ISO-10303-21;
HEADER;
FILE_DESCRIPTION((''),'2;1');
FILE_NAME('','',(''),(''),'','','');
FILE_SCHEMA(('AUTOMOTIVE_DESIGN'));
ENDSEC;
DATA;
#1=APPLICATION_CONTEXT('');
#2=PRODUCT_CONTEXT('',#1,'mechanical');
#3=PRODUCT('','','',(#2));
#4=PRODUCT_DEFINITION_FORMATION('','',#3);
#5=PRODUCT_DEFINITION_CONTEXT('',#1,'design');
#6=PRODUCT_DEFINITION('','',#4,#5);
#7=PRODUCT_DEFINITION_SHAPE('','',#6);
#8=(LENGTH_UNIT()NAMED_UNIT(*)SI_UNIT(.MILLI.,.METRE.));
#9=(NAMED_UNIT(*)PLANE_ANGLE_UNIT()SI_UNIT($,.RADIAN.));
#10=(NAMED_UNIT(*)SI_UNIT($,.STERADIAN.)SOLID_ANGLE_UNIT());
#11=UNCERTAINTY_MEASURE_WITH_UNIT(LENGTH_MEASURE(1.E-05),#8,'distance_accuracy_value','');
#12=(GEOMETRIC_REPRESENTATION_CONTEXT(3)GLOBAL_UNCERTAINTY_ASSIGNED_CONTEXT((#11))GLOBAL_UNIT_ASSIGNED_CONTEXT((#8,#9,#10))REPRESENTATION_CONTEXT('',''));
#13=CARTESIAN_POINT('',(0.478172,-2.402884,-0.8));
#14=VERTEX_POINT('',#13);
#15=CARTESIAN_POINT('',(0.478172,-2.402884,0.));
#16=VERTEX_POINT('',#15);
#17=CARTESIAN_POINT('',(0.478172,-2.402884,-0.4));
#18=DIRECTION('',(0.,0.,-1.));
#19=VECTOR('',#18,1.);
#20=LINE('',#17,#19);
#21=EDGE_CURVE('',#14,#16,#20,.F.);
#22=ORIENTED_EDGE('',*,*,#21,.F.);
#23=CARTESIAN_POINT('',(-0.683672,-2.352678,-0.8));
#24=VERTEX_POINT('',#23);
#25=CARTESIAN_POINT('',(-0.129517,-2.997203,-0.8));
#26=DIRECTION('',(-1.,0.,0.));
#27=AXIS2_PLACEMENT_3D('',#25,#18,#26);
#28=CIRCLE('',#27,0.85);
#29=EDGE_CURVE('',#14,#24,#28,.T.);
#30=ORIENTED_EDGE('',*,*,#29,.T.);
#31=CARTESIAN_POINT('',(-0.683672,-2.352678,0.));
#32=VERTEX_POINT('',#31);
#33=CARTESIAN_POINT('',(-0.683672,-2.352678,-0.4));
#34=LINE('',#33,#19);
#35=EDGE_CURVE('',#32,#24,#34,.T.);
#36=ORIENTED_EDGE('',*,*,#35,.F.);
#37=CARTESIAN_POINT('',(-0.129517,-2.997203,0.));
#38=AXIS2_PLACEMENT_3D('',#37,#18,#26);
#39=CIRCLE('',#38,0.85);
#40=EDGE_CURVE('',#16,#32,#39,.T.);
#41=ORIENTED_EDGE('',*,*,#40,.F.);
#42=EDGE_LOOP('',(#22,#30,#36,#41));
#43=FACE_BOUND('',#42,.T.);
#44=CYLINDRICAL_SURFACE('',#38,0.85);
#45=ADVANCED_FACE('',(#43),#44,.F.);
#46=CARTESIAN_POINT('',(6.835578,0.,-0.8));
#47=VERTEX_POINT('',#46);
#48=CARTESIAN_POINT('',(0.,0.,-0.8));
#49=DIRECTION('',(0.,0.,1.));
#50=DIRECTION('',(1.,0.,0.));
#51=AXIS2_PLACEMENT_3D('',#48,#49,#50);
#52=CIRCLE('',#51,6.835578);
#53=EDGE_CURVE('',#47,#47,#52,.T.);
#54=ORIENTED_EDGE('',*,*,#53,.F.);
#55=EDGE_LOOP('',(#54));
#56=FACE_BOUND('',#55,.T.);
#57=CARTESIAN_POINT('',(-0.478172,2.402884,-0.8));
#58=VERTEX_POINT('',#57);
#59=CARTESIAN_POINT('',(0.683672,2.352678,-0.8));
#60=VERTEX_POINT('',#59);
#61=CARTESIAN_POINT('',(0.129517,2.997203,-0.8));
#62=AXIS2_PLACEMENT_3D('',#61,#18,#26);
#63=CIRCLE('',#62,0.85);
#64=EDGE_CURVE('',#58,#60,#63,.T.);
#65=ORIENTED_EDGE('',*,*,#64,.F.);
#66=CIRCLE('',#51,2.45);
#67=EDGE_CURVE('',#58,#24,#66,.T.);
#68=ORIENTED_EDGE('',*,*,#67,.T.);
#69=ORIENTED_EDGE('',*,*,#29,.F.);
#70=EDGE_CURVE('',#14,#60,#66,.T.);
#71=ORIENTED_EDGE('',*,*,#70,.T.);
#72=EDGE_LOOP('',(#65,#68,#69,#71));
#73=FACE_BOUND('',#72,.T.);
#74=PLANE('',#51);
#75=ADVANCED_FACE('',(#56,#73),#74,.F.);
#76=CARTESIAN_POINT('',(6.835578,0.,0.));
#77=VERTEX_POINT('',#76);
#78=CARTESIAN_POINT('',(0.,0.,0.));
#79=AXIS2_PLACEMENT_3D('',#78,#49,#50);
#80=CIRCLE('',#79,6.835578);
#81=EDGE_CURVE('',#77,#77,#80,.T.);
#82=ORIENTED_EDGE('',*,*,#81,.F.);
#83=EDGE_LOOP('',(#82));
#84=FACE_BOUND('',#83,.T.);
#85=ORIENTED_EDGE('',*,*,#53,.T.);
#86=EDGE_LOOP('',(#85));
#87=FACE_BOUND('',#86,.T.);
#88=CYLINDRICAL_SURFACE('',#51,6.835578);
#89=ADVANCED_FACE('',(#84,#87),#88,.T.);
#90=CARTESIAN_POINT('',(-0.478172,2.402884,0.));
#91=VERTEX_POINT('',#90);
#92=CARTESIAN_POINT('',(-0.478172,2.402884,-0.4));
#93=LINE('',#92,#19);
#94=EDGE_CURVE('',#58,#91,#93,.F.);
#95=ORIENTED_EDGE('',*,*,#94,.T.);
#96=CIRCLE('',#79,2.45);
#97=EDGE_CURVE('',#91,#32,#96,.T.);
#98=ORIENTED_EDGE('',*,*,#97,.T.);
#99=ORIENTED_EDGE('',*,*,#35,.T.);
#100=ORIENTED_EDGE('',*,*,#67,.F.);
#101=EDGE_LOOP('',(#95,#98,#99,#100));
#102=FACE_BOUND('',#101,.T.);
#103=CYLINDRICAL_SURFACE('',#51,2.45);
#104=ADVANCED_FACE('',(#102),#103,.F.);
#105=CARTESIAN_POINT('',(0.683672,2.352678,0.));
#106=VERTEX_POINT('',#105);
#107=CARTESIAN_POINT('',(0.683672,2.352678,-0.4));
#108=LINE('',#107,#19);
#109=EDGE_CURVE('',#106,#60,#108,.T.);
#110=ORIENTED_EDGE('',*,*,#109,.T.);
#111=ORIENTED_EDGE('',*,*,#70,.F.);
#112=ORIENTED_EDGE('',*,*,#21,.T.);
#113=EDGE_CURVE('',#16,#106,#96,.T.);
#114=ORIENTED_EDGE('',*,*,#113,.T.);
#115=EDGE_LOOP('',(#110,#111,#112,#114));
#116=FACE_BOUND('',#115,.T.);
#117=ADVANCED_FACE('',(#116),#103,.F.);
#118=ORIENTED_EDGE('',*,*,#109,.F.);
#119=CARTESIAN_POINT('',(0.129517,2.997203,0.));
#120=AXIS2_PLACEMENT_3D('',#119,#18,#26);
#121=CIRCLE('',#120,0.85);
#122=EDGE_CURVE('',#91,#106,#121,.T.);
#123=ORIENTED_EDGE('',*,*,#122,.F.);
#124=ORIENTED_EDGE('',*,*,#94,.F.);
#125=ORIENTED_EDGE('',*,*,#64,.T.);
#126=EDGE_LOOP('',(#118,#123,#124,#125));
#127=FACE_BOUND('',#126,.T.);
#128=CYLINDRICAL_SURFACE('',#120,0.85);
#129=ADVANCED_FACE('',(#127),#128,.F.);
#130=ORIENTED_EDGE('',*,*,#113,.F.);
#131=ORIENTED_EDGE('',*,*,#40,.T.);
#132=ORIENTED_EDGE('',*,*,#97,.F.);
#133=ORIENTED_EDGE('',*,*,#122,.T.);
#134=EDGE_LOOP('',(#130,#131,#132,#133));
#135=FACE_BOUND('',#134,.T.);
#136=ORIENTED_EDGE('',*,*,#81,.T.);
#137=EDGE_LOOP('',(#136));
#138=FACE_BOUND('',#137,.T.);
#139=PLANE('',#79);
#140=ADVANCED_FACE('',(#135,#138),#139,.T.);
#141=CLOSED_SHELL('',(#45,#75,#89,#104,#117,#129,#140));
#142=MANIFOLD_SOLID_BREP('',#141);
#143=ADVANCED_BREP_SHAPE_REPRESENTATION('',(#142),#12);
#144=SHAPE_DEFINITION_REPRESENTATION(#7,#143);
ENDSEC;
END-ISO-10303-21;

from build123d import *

# Parameters (mm, degrees)
ESQUISSE1_R             = 6.835577951
ESQUISSE1_R_2           = 2.45
BOSS_EXTRU_1_DEPTH      = 0.8
ESQUISSE3_R             = 0.85
ENL_V_MAT_EXTRU_1_DEPTH = 10.700012982


with BuildPart() as part:
    # Esquisse1 → Boss.-Extru.1 (new body)
    with BuildSketch(Plane.XY):
        Circle(ESQUISSE1_R)
        Circle(ESQUISSE1_R_2, mode=Mode.SUBTRACT)
    extrude(amount=-BOSS_EXTRU_1_DEPTH)

    # Esquisse3 → Enlèv. mat.-Extru.1 (cut, through all)
    with BuildSketch(Plane(origin=(0, 0, -0.8), x_dir=(-1, 0, 0), z_dir=(0, 0, -1))):
        with Locations((-0.129516777, 2.99720293)):
            Circle(ESQUISSE3_R)
        with Locations((0.129516777, -2.99720293)):
            Circle(ESQUISSE3_R)
    extrude(amount=-ENL_V_MAT_EXTRU_1_DEPTH, mode=Mode.SUBTRACT)


solid = part.part
